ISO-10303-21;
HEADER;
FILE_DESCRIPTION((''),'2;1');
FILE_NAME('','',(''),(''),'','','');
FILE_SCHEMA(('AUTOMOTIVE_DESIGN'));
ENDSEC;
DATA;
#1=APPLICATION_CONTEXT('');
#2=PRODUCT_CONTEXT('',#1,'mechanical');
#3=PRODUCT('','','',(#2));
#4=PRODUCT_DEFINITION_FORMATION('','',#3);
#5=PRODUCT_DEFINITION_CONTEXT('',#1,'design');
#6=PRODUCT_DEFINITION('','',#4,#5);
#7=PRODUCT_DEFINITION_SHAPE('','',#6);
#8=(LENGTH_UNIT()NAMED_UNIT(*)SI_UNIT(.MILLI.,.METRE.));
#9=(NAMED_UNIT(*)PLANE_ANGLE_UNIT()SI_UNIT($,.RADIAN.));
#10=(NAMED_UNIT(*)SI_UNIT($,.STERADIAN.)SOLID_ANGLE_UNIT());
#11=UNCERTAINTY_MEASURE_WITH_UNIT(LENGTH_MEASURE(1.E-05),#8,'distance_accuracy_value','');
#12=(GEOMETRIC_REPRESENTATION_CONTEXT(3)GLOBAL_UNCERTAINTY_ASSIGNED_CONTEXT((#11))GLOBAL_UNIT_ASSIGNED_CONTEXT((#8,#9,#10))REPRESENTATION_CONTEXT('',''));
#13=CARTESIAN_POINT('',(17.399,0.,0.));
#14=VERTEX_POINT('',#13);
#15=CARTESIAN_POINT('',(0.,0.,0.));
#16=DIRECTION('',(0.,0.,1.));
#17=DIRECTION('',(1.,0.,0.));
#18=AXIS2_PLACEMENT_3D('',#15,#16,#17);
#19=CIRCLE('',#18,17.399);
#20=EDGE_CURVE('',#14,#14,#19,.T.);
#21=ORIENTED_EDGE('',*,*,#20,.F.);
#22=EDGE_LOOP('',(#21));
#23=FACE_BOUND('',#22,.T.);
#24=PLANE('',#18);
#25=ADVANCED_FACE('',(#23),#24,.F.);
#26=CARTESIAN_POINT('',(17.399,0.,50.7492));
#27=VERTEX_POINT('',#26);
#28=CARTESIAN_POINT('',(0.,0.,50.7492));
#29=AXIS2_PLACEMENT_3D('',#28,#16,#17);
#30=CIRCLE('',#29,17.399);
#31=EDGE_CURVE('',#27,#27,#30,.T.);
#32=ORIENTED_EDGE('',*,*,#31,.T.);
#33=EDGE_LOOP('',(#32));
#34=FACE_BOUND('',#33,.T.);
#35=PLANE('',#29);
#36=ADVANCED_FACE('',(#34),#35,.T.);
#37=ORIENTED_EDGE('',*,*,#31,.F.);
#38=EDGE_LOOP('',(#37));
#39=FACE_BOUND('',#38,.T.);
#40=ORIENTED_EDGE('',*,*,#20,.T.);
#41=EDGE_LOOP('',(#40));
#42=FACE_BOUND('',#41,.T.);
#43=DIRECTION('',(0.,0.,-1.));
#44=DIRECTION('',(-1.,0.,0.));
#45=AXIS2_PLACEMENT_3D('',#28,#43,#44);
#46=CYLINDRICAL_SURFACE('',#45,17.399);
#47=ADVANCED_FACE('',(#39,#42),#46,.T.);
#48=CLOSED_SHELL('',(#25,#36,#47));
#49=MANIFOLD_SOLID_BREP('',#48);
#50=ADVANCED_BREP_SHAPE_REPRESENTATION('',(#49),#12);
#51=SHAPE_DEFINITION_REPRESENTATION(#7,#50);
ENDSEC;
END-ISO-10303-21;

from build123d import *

# Parameters (mm, degrees)
SKETCH1_R      = 17.399
EXTRUDE1_DEPTH = 50.7492


with BuildPart() as part:
    # Sketch1 → Extrude1 (new body)
    with BuildSketch(Plane.XY):
        Circle(SKETCH1_R)
    extrude(amount=EXTRUDE1_DEPTH)


solid = part.part
